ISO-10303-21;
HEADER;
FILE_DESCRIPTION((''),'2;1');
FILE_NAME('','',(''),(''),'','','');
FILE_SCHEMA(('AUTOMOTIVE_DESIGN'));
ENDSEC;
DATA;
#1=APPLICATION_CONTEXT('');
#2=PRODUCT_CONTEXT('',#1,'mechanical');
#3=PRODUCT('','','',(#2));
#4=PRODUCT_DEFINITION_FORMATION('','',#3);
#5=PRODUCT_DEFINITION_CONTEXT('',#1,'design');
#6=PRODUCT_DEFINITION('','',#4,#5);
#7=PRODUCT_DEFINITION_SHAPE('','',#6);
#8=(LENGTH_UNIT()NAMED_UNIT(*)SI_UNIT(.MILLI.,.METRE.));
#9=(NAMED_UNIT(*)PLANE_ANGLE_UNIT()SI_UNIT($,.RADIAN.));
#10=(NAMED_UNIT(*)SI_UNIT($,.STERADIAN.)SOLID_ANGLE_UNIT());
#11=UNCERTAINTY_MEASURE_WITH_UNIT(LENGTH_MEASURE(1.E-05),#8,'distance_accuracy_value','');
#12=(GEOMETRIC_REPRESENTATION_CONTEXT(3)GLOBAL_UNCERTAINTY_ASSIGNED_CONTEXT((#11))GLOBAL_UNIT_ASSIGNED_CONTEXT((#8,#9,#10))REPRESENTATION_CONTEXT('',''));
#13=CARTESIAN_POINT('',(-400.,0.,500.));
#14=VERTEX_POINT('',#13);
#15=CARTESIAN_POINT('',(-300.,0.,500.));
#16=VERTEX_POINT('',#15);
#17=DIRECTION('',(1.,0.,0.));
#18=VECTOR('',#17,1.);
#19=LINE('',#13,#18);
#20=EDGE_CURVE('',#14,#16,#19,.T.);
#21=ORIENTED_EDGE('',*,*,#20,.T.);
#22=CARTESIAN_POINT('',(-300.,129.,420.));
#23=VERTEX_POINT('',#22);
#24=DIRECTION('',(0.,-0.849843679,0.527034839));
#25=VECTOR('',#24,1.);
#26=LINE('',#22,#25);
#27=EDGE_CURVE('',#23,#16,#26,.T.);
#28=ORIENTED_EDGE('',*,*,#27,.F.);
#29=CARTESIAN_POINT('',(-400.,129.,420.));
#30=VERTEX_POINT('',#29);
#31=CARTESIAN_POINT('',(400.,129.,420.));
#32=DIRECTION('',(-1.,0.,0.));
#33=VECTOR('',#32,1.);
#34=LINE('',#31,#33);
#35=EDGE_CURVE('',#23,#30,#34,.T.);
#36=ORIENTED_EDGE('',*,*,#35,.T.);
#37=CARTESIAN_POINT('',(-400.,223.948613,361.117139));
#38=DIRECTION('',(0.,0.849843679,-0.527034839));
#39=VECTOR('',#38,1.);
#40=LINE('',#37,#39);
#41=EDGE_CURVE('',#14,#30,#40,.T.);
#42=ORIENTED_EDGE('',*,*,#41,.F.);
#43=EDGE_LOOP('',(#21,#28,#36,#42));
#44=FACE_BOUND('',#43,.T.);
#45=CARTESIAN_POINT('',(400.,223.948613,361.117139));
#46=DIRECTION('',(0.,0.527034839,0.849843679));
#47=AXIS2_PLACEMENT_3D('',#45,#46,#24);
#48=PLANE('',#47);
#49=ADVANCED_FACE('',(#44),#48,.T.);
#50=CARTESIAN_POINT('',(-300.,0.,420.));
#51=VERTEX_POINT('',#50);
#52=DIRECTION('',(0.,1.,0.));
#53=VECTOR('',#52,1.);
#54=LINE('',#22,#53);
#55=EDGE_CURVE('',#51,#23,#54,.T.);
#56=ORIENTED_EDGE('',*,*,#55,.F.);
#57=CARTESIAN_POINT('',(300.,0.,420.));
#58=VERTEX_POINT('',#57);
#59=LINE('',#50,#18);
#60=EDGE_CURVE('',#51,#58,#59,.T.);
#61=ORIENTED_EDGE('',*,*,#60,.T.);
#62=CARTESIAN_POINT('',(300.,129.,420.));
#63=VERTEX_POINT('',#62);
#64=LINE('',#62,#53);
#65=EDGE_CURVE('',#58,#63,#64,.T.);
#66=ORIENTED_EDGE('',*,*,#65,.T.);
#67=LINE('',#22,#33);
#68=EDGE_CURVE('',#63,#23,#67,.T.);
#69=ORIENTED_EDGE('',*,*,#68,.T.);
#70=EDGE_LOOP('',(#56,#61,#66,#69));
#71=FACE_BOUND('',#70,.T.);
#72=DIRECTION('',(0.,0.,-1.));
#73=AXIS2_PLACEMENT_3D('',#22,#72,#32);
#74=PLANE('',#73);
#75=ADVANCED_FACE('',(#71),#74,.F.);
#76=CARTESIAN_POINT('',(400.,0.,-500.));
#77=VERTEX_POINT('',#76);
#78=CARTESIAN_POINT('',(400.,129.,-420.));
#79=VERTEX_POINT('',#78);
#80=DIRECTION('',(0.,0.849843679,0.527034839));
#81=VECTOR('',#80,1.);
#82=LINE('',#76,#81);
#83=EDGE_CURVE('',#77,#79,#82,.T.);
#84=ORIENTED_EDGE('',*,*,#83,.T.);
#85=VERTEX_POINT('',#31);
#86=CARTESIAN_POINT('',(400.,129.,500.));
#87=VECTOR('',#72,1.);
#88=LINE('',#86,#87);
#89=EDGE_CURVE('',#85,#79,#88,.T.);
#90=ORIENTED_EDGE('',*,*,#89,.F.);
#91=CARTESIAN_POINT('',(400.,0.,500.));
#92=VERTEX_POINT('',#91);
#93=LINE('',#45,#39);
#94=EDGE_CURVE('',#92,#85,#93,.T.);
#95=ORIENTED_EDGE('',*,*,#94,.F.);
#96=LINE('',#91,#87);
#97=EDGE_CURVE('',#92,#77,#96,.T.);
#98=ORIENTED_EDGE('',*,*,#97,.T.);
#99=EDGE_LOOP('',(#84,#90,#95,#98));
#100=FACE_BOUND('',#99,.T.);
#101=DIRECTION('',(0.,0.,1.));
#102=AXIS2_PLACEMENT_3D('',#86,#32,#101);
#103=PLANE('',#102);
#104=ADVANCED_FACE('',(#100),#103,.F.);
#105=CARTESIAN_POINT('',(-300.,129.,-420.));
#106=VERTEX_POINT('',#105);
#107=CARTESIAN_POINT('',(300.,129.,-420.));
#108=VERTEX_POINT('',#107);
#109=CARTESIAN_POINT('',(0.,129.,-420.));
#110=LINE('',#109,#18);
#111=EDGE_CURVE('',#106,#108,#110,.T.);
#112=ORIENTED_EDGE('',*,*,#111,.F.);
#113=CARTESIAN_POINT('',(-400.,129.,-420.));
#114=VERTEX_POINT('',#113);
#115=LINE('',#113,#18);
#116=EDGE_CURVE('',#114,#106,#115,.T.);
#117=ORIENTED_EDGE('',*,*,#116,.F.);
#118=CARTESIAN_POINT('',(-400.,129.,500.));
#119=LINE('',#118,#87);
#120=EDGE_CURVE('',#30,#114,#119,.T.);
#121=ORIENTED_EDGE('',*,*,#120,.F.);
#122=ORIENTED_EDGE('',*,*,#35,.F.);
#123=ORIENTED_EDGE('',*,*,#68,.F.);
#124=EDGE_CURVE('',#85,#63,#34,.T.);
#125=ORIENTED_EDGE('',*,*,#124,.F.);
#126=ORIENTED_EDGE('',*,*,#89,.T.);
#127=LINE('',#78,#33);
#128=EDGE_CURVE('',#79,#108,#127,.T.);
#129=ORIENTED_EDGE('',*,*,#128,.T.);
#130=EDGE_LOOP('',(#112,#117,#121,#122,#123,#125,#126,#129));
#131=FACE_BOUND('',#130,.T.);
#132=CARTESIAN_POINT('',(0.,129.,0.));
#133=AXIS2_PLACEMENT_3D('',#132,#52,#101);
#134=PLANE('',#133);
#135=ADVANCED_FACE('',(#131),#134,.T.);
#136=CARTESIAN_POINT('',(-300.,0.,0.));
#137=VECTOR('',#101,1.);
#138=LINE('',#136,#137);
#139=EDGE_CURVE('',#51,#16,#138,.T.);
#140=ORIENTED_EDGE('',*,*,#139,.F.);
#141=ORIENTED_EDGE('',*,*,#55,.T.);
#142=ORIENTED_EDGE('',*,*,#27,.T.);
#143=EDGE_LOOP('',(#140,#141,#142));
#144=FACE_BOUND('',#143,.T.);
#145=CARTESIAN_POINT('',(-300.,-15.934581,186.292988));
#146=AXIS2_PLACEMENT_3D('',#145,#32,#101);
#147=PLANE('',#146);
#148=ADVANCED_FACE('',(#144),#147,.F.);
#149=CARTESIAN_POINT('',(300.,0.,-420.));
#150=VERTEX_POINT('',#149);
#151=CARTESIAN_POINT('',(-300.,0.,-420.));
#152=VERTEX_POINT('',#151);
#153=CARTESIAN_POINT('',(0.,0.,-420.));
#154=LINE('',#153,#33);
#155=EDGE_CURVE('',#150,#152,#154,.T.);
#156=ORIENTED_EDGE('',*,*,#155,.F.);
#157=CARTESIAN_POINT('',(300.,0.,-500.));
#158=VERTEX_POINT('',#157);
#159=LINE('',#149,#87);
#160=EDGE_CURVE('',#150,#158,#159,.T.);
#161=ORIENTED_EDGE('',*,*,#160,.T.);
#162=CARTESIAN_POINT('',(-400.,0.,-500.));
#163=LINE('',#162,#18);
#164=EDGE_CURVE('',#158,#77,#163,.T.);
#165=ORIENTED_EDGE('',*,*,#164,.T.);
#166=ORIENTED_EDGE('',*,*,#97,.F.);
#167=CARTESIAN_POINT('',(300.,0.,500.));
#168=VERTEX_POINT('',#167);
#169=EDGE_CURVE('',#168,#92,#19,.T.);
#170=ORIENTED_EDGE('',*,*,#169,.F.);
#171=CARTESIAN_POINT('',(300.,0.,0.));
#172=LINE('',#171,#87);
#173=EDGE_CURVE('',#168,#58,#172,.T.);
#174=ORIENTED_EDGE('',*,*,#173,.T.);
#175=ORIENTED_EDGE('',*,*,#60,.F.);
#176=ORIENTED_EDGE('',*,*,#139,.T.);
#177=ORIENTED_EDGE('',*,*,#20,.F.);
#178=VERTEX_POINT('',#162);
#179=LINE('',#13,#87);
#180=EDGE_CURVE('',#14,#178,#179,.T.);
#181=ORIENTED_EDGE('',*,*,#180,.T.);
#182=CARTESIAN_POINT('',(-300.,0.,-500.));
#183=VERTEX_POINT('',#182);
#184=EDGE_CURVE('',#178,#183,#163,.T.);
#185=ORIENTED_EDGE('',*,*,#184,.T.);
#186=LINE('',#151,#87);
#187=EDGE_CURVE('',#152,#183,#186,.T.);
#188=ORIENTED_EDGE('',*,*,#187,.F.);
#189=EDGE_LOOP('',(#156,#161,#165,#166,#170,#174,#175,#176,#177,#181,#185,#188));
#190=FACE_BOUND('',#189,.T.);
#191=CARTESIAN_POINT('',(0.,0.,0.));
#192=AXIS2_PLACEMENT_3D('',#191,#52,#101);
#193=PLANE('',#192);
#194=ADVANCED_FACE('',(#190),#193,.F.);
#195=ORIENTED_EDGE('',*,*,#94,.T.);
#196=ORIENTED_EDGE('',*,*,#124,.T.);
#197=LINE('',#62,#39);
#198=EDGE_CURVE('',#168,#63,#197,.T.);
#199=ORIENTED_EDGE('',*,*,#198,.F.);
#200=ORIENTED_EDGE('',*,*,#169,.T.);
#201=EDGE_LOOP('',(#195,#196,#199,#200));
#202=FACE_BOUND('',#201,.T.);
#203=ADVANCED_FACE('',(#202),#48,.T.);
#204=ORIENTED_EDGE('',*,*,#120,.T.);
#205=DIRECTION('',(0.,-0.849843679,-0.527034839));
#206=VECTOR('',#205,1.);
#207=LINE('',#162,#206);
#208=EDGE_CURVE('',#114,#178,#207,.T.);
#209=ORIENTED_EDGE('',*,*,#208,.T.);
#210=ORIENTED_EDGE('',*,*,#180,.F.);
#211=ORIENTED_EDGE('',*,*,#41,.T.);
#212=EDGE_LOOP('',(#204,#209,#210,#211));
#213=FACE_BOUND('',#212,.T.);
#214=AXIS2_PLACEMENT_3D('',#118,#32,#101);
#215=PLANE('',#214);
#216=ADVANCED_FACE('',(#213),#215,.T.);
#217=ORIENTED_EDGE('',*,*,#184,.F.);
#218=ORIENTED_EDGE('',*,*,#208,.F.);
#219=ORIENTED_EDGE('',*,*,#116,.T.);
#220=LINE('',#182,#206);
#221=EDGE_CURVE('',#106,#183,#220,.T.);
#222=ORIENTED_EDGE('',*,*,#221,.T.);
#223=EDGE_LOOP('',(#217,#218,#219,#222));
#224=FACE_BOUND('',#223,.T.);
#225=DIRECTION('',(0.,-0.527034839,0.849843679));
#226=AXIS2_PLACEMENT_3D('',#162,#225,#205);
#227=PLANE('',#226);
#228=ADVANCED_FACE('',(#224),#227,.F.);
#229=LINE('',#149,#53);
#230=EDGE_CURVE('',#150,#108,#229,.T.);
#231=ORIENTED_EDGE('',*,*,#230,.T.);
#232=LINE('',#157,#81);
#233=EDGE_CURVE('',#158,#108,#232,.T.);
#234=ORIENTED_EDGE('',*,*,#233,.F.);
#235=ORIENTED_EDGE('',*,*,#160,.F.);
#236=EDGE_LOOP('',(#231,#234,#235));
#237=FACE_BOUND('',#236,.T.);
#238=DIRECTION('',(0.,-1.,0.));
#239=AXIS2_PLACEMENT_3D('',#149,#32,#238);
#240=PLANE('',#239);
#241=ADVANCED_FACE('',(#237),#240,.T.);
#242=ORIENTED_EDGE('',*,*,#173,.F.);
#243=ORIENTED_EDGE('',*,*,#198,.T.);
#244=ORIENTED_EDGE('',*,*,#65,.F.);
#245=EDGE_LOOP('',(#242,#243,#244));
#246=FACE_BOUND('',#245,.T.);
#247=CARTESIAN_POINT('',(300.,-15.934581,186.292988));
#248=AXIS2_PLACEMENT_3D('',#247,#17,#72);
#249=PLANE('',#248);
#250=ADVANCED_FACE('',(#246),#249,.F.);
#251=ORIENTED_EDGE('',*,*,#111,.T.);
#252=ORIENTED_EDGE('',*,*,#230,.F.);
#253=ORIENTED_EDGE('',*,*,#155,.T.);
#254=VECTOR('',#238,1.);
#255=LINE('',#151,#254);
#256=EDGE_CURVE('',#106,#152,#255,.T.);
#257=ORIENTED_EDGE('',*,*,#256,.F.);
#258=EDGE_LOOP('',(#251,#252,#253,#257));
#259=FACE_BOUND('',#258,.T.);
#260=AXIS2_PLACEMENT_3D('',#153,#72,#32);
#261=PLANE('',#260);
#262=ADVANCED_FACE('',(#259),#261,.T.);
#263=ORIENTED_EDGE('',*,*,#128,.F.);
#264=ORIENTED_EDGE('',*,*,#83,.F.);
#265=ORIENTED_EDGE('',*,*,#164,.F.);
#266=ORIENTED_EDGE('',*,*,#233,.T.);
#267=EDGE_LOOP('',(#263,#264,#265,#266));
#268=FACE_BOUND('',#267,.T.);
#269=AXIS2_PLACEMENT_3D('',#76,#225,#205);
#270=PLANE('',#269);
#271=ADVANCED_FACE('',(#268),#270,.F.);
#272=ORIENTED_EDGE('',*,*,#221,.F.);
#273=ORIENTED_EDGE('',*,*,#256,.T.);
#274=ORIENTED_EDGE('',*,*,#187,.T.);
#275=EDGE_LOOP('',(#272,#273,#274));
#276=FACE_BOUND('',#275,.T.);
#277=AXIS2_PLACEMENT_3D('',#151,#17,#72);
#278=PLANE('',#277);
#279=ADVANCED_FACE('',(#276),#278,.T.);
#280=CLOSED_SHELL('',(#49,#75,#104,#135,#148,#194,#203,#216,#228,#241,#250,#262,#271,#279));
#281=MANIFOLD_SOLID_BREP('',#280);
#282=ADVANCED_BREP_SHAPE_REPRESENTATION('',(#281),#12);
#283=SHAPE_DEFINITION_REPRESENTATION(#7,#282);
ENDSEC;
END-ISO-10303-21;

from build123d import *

# Parameters (mm, degrees)
SKETCH1_W           = 800
SKETCH1_H           = 1000
BOSS_EXTRUDE1_DEPTH = 129
CUT_EXTRUDE1_DEPTH  = 800
SKETCH17_W          = 600
SKETCH17_H          = 151.792621691
CUT_EXTRUDE2_DEPTH  = 275
SKETCH25_W          = 600
SKETCH25_H          = 129
CUT_EXTRUDE4_DEPTH  = 80
CUT_EXTRUDE5_DEPTH  = 100
CUT_EXTRUDE6_DEPTH  = 100
BOSS_EXTRUDE4_DEPTH = 600


with BuildPart() as part:
    # Sketch1 → Boss-Extrude1 (new body)
    with BuildSketch(Plane(origin=(0, 0, 0), x_dir=(1, 0, 0), z_dir=(0, 1, 0))):
        Rectangle(SKETCH1_W, SKETCH1_H)
    extrude(amount=BOSS_EXTRUDE1_DEPTH)

    # Sketch2 → Cut-Extrude1 (cut)
    with BuildSketch(Plane.ZY.offset(400)):
        Polygon((420, 129), (500, 0), (500, 129), align=None)
    extrude(amount=-CUT_EXTRUDE1_DEPTH, mode=Mode.SUBTRACT)

    # Sketch17 → Cut-Extrude2 (cut)
    with BuildSketch(Plane(origin=(0, 223.948613341, 361.117139013), x_dir=(1, 0, 0), z_dir=(0, 0.5270348394308224, 0.849843678582201))):
        with Locations((0, -187.62110887)):
            Rectangle(SKETCH17_W, SKETCH17_H)
    extrude(amount=-CUT_EXTRUDE2_DEPTH, mode=Mode.SUBTRACT)

    # Sketch25 → Cut-Extrude4 (cut)
    with BuildSketch(Plane(origin=(0, 0, -500), x_dir=(-1, 0, 0), z_dir=(0, 0, -1))):
        with Locations((0, 64.5)):
            Rectangle(SKETCH25_W, SKETCH25_H)
    extrude(amount=-CUT_EXTRUDE4_DEPTH, mode=Mode.SUBTRACT)

    # Sketch28 → Cut-Extrude5 (cut)
    with BuildSketch(Plane(origin=(-300, 0, 0), x_dir=(0, 0, -1), z_dir=(1, 0, 0))):
        Polygon((420, 129), (500, 129), (500, 0), align=None)
    extrude(amount=-CUT_EXTRUDE5_DEPTH, mode=Mode.SUBTRACT)

    # Sketch29 → Cut-Extrude6 (cut)
    with BuildSketch(Plane.ZY.offset(-300)):
        Polygon((-420, 129), (-500, 129), (-500, 0), align=None)
    extrude(amount=-CUT_EXTRUDE6_DEPTH, mode=Mode.SUBTRACT)

    # Sketch31 → Boss-Extrude4 (add)
    with BuildSketch(Plane.ZY.offset(-300)):
        Polygon((420, 129), (420, 0), (211.9875, 0), align=None)
    extrude(amount=BOSS_EXTRUDE4_DEPTH)


solid = part.part
